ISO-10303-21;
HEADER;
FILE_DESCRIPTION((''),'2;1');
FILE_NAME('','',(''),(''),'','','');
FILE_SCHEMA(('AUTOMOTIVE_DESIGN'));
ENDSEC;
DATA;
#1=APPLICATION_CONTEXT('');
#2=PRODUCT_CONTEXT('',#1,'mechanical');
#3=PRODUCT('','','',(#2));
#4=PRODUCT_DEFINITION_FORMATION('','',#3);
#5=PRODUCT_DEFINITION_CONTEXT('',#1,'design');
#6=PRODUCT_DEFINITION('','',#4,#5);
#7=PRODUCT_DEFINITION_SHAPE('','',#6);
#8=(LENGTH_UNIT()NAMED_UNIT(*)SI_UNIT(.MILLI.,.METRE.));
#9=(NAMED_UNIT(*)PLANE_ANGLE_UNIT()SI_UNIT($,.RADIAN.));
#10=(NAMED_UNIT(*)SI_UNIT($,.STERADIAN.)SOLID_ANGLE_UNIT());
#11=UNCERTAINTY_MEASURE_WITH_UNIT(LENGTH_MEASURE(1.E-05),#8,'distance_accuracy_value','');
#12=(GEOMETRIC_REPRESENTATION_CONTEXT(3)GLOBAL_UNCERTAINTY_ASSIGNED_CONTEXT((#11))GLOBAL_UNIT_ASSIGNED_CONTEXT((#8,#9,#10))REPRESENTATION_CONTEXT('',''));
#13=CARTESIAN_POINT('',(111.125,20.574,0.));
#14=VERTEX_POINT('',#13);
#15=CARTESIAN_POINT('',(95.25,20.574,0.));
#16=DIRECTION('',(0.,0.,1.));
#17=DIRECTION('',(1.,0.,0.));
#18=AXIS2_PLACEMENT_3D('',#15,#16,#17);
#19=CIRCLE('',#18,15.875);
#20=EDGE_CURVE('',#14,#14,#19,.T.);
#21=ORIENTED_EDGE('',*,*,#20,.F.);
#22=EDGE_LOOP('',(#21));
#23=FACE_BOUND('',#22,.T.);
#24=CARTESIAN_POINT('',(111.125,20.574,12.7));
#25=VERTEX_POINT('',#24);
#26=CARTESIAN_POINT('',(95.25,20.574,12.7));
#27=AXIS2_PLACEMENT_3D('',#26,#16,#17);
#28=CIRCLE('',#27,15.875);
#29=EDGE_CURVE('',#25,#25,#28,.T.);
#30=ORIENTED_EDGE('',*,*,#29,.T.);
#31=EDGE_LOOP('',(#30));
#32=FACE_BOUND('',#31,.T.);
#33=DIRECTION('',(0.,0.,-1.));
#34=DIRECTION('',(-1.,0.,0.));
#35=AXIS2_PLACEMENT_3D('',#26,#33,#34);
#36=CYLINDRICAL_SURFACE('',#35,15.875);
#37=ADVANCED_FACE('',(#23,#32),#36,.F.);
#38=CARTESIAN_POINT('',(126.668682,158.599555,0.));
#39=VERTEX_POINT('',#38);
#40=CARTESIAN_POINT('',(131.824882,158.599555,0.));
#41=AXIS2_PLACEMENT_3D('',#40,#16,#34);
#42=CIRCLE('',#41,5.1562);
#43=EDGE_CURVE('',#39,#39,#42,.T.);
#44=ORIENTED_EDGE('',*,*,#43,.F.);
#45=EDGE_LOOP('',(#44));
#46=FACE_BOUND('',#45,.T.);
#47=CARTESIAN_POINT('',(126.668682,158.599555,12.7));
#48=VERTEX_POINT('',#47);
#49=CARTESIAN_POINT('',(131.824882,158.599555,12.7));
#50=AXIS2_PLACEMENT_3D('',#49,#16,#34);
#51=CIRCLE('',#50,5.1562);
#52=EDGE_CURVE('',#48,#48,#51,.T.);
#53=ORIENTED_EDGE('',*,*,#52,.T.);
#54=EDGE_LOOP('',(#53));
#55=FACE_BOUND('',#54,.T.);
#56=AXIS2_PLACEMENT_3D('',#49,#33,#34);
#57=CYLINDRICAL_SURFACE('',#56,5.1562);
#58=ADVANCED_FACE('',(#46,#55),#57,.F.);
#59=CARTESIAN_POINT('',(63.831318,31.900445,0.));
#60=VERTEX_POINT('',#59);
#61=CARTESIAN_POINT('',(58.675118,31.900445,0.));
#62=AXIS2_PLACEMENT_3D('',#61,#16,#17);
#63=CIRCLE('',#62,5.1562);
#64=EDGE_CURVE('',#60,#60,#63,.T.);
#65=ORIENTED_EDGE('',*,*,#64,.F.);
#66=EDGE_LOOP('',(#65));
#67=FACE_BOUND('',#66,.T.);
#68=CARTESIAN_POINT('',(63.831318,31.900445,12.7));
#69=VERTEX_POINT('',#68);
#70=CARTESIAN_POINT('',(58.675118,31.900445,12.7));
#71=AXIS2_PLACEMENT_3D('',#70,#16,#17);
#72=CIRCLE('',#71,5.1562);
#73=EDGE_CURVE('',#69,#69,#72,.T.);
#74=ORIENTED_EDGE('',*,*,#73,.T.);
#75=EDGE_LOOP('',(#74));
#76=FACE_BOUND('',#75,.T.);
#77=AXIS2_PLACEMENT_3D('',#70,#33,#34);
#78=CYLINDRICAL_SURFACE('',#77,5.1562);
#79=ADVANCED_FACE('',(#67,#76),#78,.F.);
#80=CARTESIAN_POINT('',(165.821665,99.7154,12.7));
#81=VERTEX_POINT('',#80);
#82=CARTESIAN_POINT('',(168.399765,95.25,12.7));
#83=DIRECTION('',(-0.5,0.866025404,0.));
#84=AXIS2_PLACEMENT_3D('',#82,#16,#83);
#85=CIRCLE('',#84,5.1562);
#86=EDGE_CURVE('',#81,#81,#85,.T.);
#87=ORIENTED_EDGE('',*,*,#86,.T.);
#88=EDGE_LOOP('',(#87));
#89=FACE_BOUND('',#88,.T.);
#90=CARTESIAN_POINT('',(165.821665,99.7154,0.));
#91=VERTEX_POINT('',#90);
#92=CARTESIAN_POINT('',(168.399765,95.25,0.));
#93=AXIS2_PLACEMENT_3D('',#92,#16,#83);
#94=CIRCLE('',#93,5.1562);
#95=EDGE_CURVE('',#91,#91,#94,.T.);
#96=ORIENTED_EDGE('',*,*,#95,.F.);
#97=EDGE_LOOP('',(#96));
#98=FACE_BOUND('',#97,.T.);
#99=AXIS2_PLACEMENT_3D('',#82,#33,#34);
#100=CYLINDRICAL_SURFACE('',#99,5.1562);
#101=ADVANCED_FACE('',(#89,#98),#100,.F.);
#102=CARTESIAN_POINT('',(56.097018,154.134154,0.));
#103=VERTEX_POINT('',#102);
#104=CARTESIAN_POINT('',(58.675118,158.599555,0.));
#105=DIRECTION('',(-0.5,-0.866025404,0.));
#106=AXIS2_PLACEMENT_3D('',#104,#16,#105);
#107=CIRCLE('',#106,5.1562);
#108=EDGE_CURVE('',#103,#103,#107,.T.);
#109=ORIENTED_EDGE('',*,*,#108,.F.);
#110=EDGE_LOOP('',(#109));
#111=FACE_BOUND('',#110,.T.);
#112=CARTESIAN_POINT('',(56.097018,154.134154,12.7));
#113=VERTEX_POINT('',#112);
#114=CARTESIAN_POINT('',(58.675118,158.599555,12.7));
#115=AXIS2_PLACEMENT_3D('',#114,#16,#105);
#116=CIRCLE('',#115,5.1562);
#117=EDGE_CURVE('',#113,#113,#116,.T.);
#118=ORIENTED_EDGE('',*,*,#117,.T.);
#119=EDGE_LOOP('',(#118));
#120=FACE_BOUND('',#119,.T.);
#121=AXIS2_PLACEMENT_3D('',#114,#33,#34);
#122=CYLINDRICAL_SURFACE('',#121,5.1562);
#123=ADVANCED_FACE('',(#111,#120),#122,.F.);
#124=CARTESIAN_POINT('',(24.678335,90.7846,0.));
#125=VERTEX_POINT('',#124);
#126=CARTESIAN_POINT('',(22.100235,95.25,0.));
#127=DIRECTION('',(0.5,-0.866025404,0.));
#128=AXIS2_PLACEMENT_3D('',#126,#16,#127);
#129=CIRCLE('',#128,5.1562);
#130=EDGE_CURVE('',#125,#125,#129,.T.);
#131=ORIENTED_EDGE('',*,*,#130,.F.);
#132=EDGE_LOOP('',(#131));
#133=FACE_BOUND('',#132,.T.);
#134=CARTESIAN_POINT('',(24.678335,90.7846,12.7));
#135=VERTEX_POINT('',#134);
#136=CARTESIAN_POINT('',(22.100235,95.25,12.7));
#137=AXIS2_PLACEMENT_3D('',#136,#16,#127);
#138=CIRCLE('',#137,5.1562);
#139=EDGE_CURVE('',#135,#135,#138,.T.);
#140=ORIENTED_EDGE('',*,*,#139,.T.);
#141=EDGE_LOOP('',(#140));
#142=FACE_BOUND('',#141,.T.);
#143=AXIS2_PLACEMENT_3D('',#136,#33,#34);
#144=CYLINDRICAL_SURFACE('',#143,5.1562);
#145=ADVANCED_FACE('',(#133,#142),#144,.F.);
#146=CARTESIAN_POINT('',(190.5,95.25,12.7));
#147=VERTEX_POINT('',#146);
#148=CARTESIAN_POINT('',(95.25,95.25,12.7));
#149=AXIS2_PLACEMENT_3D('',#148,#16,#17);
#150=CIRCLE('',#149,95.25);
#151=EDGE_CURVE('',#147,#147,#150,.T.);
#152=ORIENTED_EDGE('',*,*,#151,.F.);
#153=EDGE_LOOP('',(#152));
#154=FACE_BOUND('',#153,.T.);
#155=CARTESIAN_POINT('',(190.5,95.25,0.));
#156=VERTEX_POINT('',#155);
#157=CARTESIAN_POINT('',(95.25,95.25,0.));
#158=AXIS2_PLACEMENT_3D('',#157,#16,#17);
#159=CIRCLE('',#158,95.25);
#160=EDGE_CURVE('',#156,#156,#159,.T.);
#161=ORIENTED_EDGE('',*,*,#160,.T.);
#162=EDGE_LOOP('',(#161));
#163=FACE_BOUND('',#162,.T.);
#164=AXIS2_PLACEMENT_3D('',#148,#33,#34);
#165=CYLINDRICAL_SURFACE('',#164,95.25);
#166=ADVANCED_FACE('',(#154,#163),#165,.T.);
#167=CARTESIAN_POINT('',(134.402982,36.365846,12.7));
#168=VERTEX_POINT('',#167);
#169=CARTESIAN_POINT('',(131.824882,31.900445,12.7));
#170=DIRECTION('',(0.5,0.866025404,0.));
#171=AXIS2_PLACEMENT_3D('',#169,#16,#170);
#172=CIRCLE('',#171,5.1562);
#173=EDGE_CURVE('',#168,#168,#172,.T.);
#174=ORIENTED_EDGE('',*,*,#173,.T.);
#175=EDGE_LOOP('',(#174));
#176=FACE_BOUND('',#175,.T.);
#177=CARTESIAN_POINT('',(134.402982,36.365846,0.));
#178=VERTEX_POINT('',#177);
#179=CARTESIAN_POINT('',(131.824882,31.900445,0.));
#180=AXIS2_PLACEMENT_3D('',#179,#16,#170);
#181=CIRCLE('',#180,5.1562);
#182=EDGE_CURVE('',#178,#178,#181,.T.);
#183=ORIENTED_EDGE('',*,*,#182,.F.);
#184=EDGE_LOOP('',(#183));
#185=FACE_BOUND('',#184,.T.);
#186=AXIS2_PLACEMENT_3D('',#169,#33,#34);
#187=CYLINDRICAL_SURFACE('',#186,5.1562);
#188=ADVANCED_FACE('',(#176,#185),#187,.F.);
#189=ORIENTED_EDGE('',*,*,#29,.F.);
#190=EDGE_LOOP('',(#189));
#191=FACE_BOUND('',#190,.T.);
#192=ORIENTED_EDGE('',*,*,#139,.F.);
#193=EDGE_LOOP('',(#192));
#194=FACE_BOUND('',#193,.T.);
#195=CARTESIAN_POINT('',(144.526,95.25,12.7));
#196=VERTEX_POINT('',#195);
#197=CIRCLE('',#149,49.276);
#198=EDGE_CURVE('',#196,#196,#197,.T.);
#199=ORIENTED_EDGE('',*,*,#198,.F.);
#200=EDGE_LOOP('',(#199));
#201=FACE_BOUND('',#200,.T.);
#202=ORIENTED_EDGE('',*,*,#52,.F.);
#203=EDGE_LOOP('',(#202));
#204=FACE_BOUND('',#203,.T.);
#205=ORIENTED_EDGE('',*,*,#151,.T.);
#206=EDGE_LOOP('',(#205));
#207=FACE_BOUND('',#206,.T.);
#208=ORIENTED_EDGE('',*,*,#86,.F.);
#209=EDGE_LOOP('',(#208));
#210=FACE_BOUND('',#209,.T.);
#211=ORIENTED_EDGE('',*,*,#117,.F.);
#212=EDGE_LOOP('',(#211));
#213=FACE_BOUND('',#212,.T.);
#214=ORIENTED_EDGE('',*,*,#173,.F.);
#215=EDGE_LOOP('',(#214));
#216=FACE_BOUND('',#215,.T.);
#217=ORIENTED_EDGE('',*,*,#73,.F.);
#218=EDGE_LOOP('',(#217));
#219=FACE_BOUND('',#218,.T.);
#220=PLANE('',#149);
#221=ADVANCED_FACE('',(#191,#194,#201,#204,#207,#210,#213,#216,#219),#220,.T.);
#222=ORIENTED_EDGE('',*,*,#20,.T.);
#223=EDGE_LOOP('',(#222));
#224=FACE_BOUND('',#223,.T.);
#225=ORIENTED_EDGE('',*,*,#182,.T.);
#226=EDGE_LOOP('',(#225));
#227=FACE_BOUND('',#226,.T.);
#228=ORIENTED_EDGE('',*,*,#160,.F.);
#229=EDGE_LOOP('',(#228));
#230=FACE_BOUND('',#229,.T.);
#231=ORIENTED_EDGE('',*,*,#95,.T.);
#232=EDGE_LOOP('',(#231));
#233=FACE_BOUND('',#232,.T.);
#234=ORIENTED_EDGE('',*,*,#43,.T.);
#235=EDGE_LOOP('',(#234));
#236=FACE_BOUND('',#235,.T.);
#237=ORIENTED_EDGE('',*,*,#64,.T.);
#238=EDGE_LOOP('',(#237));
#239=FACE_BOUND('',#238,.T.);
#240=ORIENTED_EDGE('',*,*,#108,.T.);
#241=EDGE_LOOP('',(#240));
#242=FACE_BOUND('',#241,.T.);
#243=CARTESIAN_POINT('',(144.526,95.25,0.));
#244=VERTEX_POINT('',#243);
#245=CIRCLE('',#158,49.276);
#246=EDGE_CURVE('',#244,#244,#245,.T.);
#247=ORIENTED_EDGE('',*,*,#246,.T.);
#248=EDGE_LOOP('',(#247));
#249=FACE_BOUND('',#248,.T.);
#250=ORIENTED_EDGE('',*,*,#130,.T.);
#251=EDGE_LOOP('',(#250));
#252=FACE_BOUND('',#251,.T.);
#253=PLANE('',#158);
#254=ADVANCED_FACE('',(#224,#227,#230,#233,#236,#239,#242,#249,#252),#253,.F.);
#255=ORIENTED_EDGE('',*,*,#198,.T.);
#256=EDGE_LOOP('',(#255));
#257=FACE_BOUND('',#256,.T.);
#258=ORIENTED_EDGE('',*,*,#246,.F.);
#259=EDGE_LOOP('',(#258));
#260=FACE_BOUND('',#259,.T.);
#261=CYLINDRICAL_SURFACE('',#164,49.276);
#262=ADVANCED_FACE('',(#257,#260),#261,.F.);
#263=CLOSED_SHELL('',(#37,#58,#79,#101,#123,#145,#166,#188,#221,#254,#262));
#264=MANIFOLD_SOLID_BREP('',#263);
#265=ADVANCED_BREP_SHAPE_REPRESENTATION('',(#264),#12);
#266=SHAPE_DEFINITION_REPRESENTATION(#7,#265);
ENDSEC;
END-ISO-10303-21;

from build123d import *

# Parameters (mm, degrees)
SKETCH1_R                  = 95.25
F001_EXTRUDE_BOSS_DEPTH    = 12.7
SKETCH2_R                  = 49.276
F002_HOLE_DEPTH            = 270.706859386
SKETCH3_R                  = 5.1562
F003_SEEDHOLECUT_DEPTH     = 270.706859386
F003_CIRCULARPATTERN_COUNT = 6
SKETCH4_R                  = 15.875
F004_EXTRUDE_CUT_DEPTH     = 270.706859386


with BuildPart() as part:
    # Sketch1 → F001_extrude_boss (new body)
    with BuildSketch(Plane.XY):
        with Locations((95.25, 95.25)):
            Circle(SKETCH1_R)
    extrude(amount=F001_EXTRUDE_BOSS_DEPTH)

    # Sketch2 → F002_hole (cut, through all)
    with BuildSketch(Plane.XY):
        with Locations((95.25, 95.25)):
            Circle(SKETCH2_R)
    extrude(amount=F002_HOLE_DEPTH, mode=Mode.SUBTRACT)

    # Sketch3 → F003_SeedHoleCut (cut, through all)
    with BuildSketch(Plane.XY):
        with Locations((58.6751176, 31.900445402)):
            Circle(SKETCH3_R)
    f003_seedholecut = extrude(amount=F003_SEEDHOLECUT_DEPTH, mode=Mode.SUBTRACT)

    # F003_CircularPattern: F003_SeedHoleCut ×6 about axis
    f003_circularpattern_axis = Axis((95.25, 95.25, 12.7), (0, 0, -1))
    for i in range(1, F003_CIRCULARPATTERN_COUNT):
        add(f003_seedholecut.rotate(f003_circularpattern_axis, i * 360 / F003_CIRCULARPATTERN_COUNT), mode=Mode.SUBTRACT)

    # Sketch4 → F004_extrude_cut (cut, through all)
    with BuildSketch(Plane.XY):
        with Locations((95.25, 20.574)):
            Circle(SKETCH4_R)
    extrude(amount=F004_EXTRUDE_CUT_DEPTH, mode=Mode.SUBTRACT)


solid = part.part
